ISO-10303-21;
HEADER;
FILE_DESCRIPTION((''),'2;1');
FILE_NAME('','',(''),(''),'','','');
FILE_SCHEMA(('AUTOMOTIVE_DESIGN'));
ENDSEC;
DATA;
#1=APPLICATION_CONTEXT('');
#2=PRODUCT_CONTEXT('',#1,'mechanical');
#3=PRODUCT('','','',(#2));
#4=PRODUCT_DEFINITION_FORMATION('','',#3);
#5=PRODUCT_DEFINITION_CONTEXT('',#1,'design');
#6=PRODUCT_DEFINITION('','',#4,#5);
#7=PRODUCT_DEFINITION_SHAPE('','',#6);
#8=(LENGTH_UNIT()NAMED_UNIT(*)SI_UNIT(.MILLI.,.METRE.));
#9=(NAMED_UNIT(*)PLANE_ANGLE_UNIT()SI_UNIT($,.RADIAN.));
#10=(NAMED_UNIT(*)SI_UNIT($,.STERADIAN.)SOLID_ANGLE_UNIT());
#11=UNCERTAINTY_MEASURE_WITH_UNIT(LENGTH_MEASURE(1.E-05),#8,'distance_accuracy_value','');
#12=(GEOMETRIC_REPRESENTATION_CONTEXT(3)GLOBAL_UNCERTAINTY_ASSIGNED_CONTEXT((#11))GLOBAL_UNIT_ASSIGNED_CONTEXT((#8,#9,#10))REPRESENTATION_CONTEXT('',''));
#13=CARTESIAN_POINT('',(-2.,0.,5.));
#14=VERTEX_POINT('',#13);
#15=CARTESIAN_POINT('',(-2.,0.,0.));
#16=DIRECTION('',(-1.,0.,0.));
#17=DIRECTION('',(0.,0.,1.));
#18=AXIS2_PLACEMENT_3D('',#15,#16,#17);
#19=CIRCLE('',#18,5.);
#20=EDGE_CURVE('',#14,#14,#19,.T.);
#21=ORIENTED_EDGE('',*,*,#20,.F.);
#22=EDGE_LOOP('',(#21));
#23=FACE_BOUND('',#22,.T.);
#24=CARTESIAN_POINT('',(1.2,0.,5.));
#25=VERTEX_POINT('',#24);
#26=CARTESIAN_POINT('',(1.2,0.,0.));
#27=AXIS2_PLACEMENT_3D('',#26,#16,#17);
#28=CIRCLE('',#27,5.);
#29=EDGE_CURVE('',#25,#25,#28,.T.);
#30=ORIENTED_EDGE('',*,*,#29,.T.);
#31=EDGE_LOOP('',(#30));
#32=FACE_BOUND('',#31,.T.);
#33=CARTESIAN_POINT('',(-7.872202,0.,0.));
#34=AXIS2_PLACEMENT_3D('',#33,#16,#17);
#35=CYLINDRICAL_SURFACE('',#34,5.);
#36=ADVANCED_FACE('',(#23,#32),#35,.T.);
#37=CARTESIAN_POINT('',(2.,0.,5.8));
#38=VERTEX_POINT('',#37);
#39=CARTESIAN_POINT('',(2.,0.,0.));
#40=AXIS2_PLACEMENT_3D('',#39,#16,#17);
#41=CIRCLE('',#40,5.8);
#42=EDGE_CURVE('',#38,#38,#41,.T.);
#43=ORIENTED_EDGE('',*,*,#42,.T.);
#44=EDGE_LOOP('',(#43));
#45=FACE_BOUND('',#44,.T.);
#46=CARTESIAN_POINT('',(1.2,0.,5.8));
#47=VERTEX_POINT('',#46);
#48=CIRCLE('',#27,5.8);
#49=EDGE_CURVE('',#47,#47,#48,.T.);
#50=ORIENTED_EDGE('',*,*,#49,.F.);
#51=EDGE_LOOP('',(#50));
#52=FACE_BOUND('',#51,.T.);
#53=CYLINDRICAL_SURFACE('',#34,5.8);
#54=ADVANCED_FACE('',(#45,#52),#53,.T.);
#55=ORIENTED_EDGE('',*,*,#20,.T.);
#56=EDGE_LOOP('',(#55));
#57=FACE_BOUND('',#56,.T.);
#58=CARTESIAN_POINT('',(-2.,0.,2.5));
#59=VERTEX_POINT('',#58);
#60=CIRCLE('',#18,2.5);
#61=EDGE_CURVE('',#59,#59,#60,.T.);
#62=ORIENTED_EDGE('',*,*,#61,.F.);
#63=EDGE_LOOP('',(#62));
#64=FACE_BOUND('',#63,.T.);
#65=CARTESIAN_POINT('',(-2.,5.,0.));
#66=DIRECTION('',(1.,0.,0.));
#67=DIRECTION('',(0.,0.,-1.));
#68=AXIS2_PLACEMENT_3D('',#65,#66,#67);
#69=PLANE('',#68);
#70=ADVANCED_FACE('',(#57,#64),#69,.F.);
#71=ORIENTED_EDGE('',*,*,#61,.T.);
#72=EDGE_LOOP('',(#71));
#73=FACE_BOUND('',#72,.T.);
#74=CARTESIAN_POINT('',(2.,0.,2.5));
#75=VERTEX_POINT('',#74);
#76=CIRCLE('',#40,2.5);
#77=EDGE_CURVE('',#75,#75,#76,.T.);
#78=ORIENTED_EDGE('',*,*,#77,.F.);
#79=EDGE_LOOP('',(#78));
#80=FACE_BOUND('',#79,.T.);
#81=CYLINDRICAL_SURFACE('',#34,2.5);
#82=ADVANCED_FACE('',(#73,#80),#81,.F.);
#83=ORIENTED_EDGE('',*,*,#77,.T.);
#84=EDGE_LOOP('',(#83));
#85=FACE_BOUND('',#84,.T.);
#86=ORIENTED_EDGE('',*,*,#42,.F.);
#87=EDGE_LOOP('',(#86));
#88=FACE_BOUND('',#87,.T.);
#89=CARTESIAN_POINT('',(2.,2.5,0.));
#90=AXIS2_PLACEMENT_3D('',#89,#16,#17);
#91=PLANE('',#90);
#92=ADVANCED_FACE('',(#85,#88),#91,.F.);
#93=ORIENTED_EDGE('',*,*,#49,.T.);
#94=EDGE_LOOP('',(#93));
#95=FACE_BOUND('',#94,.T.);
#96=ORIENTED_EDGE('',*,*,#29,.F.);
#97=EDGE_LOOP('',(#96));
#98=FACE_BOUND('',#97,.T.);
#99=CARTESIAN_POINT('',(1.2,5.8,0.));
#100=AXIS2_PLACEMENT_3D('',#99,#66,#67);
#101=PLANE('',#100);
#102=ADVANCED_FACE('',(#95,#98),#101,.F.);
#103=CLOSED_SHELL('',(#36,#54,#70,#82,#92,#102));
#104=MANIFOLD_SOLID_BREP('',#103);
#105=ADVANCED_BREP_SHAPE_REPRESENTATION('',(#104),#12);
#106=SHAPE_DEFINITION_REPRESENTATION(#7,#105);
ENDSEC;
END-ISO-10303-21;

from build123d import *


with BuildPart() as part:
    # Sketch1 → Revolve1 (revolve)
    with BuildSketch(Plane.XY):
        Polygon((-2, 5), (-2, 2.5), (2, 2.5), (2, 5.8), (1.2, 5.8), (1.2, 5), align=None)
    revolve(axis=Axis((-7.872201974, 0, 0), (1, 0, 0)))


solid = part.part
